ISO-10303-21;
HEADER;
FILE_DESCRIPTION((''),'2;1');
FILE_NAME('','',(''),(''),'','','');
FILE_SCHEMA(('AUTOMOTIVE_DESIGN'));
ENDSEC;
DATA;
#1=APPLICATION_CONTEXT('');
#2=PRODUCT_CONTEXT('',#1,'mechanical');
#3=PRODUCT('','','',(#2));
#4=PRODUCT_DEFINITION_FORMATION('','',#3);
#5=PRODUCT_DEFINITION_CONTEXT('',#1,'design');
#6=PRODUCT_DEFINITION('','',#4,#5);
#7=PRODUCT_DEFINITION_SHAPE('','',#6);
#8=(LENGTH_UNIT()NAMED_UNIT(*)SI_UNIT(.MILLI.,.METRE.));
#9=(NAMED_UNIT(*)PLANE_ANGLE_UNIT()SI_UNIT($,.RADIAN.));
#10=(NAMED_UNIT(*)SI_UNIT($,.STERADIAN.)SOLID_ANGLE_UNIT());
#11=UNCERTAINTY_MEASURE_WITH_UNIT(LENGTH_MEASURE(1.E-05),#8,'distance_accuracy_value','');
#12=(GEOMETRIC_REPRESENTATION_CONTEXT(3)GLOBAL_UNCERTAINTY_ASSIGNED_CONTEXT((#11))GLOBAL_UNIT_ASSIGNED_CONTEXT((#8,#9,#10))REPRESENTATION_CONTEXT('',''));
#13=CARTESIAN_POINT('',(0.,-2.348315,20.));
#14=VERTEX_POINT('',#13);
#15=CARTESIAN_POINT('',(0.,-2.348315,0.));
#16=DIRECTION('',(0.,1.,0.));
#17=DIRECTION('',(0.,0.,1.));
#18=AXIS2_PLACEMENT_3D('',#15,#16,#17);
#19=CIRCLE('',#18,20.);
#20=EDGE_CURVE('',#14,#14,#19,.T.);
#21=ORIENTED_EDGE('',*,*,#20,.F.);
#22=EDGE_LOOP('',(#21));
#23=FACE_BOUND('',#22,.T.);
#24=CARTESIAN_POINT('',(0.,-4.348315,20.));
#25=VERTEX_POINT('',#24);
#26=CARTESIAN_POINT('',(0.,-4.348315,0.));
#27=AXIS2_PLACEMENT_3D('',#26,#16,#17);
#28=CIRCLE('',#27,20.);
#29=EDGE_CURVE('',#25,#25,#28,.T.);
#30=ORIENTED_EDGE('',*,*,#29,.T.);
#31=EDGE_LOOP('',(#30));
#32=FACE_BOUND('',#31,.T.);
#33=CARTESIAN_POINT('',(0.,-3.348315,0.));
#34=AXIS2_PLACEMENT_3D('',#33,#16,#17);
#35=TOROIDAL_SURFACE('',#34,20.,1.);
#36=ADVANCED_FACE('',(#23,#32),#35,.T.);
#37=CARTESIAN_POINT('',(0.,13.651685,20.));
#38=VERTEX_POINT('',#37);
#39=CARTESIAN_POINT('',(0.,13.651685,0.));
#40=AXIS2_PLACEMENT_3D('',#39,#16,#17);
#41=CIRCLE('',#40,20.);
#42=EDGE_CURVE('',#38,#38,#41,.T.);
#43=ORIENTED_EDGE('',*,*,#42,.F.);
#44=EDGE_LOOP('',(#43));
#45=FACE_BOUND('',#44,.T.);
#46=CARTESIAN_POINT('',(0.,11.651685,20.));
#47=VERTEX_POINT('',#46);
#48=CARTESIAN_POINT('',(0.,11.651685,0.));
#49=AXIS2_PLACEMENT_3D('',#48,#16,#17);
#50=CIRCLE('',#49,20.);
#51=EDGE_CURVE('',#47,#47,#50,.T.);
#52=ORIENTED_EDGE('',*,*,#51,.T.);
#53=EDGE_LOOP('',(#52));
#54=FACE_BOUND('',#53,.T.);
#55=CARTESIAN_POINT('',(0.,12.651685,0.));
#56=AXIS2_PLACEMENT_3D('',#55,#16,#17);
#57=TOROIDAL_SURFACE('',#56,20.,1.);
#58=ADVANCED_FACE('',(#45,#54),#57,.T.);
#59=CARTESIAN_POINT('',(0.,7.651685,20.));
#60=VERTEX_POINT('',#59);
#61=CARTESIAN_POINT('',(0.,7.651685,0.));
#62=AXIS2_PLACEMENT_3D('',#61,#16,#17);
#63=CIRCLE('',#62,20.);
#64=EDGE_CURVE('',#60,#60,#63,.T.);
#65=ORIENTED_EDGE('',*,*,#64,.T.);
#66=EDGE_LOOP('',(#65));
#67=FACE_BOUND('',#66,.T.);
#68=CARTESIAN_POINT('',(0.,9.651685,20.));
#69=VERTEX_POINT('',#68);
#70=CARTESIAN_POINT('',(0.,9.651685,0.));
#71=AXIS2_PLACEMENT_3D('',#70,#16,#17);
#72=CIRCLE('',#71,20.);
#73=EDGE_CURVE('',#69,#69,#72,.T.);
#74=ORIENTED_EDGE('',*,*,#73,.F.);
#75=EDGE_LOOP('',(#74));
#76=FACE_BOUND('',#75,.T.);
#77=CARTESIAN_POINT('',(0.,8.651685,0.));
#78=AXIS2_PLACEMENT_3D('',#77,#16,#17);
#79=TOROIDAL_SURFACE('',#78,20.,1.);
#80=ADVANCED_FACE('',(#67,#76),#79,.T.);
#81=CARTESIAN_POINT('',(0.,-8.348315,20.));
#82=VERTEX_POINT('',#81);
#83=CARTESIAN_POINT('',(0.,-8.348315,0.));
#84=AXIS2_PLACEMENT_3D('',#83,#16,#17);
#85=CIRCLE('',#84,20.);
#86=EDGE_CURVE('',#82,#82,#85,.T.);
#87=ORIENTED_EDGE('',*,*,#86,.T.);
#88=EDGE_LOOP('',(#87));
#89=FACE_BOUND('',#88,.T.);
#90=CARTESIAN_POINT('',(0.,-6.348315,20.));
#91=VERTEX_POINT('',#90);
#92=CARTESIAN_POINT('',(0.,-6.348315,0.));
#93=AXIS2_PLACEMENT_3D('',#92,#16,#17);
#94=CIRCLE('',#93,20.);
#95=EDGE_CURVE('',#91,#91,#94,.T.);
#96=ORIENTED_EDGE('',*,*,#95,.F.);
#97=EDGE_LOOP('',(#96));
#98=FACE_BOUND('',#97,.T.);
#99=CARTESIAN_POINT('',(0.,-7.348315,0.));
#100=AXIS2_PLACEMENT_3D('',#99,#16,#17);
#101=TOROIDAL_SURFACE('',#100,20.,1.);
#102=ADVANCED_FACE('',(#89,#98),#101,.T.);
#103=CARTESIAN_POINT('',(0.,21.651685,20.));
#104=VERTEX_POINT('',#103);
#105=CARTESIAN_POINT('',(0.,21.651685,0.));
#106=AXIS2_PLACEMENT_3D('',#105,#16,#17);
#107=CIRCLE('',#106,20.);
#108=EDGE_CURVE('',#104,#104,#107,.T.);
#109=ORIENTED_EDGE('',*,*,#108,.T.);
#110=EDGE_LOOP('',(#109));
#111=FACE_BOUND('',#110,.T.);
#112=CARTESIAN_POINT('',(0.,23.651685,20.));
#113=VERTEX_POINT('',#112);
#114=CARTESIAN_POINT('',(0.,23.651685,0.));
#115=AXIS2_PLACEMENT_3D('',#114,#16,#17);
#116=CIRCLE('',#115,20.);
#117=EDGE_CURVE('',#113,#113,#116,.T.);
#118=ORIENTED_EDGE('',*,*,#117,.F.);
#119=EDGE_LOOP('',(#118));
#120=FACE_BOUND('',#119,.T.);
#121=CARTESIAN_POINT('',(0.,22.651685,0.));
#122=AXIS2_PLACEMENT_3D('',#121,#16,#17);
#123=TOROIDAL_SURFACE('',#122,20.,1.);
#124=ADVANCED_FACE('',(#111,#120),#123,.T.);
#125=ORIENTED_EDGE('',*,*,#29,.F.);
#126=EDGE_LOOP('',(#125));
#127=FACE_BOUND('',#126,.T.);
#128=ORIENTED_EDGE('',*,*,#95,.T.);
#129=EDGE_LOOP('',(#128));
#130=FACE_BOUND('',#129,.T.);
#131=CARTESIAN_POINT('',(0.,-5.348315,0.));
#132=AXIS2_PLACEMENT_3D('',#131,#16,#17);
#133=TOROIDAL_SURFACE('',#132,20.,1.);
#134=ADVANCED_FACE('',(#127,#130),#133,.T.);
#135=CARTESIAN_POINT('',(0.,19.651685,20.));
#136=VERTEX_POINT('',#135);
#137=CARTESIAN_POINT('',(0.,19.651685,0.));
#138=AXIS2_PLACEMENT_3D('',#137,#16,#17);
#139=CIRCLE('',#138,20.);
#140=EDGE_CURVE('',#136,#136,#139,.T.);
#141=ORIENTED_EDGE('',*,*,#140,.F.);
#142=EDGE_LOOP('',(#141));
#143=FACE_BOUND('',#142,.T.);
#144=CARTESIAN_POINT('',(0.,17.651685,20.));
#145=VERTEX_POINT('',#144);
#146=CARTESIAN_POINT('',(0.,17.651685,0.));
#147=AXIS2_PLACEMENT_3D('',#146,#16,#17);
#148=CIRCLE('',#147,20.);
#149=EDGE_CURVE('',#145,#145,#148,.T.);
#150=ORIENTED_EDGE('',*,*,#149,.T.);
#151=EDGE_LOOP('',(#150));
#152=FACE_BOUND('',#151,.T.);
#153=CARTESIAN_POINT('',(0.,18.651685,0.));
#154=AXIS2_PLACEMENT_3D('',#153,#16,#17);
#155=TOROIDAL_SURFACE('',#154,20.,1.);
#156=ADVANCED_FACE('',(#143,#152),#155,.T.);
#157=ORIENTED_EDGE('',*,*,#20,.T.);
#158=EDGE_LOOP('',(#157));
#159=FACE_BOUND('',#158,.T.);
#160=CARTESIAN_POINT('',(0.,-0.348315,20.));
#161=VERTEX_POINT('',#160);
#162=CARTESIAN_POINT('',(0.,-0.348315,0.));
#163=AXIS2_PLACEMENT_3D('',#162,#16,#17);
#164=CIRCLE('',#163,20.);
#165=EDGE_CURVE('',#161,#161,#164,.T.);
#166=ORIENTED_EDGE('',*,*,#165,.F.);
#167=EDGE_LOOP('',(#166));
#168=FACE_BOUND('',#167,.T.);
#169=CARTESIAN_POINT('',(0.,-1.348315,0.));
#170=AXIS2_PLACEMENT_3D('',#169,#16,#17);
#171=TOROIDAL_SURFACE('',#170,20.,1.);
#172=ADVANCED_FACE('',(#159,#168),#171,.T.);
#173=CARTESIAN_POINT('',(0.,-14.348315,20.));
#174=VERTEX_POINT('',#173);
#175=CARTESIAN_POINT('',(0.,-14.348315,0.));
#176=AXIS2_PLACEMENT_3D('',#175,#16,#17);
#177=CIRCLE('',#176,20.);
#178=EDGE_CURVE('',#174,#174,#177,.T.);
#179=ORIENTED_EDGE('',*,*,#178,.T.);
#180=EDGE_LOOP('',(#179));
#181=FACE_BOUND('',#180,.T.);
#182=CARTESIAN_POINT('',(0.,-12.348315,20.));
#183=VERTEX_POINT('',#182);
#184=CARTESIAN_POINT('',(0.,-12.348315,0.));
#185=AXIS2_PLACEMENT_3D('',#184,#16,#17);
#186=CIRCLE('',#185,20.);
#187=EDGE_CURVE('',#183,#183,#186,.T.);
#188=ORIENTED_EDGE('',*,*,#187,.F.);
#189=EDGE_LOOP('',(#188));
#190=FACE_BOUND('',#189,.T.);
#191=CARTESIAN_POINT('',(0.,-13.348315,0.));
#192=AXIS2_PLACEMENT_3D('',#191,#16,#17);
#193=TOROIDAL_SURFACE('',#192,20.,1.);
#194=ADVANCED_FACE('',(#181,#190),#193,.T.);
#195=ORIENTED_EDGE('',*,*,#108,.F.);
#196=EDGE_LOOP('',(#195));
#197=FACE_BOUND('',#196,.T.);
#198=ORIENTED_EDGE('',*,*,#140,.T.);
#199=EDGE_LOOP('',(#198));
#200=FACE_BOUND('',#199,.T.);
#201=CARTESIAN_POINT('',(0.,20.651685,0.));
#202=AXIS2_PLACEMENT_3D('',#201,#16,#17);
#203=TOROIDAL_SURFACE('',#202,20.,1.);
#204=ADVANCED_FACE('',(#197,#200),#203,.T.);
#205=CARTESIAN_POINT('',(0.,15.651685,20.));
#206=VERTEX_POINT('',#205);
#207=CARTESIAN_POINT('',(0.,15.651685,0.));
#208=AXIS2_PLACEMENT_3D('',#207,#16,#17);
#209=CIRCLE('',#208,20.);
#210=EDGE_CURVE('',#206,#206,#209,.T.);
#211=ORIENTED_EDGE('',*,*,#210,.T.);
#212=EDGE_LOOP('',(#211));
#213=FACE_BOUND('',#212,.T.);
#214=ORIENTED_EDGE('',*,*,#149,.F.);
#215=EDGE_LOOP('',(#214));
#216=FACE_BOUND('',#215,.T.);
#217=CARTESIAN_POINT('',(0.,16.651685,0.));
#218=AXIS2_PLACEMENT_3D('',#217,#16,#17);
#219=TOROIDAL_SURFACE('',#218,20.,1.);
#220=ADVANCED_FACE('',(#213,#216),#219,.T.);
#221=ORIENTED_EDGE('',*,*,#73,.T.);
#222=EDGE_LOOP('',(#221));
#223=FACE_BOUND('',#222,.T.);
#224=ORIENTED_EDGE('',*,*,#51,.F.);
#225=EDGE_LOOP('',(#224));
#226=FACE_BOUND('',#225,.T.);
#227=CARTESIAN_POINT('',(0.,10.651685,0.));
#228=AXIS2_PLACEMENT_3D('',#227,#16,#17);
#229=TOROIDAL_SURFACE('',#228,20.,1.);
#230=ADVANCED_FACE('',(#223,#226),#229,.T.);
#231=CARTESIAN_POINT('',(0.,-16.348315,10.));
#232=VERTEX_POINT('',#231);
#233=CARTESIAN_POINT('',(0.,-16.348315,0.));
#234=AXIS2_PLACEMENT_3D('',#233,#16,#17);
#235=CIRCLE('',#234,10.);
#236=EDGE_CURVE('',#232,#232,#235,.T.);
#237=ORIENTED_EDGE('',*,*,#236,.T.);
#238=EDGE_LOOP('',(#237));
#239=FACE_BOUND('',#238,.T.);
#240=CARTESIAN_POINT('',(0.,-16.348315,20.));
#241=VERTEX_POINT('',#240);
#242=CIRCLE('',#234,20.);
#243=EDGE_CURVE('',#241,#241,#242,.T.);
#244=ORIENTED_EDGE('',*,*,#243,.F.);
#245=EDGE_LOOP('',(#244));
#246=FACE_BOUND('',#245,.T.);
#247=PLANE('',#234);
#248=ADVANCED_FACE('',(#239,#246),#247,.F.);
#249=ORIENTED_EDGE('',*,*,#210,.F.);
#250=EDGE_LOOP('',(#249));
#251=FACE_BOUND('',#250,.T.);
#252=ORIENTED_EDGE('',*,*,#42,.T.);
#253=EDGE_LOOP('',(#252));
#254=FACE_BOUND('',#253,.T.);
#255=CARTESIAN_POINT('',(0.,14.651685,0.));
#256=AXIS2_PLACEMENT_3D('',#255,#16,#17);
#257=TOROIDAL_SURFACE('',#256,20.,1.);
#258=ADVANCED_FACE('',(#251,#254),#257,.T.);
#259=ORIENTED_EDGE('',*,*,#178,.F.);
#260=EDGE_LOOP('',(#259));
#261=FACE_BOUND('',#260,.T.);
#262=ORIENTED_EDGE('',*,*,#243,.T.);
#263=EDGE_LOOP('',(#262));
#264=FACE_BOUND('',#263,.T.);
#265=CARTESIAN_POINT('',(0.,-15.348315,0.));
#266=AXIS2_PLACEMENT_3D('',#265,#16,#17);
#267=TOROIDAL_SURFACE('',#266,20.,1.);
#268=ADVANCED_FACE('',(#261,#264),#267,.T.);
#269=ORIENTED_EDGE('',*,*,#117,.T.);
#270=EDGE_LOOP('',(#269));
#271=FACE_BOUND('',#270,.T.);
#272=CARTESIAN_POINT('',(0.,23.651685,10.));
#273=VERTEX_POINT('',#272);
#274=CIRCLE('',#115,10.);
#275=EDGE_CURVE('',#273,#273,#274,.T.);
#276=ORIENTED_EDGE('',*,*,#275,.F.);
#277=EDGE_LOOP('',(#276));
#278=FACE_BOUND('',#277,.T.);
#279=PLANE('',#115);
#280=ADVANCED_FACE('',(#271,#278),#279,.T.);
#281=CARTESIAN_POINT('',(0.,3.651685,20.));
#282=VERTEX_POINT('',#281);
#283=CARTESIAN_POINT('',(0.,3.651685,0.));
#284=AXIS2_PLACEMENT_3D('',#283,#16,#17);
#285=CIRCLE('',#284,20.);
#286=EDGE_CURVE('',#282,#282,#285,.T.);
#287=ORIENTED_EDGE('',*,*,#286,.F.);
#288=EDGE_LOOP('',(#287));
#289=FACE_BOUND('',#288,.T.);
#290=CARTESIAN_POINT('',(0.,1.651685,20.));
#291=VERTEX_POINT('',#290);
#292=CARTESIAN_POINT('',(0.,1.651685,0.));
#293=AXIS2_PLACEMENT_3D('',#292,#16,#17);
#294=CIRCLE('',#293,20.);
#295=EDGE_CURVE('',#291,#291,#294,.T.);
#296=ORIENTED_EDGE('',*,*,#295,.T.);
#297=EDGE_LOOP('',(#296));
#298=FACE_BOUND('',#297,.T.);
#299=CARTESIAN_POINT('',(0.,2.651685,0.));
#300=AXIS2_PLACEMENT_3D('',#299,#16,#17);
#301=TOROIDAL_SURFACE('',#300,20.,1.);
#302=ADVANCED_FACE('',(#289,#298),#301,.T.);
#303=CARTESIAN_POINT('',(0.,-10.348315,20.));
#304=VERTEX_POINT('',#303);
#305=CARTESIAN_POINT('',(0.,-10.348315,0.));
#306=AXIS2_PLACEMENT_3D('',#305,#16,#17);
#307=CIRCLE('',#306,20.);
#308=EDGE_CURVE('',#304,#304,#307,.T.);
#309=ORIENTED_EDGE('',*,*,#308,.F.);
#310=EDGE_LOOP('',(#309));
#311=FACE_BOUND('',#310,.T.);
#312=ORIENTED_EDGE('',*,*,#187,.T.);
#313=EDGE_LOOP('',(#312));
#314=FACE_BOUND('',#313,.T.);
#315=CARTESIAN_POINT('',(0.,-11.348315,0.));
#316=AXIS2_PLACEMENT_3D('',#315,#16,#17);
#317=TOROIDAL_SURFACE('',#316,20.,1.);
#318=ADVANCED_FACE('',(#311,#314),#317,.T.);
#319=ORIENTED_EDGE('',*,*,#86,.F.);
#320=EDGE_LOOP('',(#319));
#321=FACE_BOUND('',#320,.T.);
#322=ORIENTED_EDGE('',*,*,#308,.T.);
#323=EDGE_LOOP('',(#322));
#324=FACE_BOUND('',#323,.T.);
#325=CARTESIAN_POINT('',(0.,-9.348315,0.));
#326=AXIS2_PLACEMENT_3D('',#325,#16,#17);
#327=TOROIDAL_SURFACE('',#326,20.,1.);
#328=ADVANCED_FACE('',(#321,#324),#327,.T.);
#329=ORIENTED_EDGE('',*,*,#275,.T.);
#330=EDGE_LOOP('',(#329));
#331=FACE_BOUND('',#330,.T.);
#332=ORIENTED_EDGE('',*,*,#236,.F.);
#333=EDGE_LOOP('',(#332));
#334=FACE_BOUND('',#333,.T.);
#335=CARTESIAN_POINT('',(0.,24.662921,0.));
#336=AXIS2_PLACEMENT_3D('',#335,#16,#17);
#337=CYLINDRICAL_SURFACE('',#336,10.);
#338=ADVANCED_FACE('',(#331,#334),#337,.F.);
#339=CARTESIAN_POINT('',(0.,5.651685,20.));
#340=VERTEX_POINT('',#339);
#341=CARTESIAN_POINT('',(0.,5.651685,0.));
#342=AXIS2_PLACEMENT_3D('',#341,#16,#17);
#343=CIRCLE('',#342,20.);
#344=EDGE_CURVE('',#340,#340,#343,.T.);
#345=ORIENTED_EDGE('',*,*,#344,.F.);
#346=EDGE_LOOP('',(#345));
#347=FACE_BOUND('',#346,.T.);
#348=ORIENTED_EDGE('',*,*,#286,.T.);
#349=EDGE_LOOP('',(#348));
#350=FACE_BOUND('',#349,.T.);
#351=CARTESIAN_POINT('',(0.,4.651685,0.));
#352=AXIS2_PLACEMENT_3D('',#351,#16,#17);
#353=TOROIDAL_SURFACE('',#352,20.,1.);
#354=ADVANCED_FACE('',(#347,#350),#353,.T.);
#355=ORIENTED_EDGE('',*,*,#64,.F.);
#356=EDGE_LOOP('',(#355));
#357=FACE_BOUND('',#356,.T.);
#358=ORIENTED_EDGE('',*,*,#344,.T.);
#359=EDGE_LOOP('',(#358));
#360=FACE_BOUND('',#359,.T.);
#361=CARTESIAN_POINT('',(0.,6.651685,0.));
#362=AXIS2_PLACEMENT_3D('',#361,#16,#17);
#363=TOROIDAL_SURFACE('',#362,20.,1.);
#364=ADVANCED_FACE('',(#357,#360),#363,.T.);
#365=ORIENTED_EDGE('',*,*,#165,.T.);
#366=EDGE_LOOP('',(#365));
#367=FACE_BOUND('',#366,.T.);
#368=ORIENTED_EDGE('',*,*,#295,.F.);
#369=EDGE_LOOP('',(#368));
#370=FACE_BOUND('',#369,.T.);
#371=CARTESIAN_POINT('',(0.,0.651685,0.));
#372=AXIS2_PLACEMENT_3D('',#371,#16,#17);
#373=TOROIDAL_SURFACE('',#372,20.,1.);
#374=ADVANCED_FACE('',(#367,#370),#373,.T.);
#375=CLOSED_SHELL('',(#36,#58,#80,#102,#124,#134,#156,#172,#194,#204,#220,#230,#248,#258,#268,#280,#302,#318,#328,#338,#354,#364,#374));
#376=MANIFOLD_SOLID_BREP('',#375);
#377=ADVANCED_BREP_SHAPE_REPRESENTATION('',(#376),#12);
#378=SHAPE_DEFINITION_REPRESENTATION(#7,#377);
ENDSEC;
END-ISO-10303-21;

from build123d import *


with BuildPart() as part:
    # Sketch1 → Revolve1 (revolve)
    with BuildSketch(Plane(origin=(0, 0, 0), x_dir=(0, 0, -1), z_dir=(1, 0, 0))):
        with BuildLine():
            ThreePointArc((-20, -12.348314607), (-21, -13.348314607), (-20, -14.348314607))
            ThreePointArc((-20, -14.348314607), (-21, -15.348314607), (-20, -16.348314607))
            Line((-20, -16.348314607), (-10, -16.348314607))
            Line((-10, -16.348314607), (-10, 23.651685393))
            Line((-10, 23.651685393), (-20, 23.651685393))
            ThreePointArc((-20, 23.651685393), (-21, 22.651685393), (-20, 21.651685393))
            ThreePointArc((-20, 21.651685393), (-21, 20.651685393), (-20, 19.651685393))
            ThreePointArc((-20, 19.651685393), (-21, 18.651685393), (-20, 17.651685393))
            ThreePointArc((-20, 17.651685393), (-21, 16.651685393), (-20, 15.651685393))
            ThreePointArc((-20, 15.651685393), (-21, 14.651685393), (-20, 13.651685393))
            ThreePointArc((-20, 13.651685393), (-21, 12.651685393), (-20, 11.651685393))
            ThreePointArc((-20, 11.651685393), (-21, 10.651685393), (-20, 9.651685393))
            ThreePointArc((-20, 9.651685393), (-21, 8.651685393), (-20, 7.651685393))
            ThreePointArc((-20, 7.651685393), (-21, 6.651685393), (-20, 5.651685393))
            ThreePointArc((-20, 5.651685393), (-21, 4.651685393), (-20, 3.651685393))
            ThreePointArc((-20, 3.651685393), (-21, 2.651685393), (-20, 1.651685393))
            ThreePointArc((-20, 1.651685393), (-21, 0.651685393), (-20, -0.348314607))
            ThreePointArc((-20, -0.348314607), (-21, -1.348314607), (-20, -2.348314607))
            ThreePointArc((-20, -2.348314607), (-21, -3.348314607), (-20, -4.348314607))
            ThreePointArc((-20, -4.348314607), (-21, -5.348314607), (-20, -6.348314607))
            ThreePointArc((-20, -6.348314607), (-21, -7.348314607), (-20, -8.348314607))
            ThreePointArc((-20, -8.348314607), (-21, -9.348314607), (-20, -10.348314607))
            ThreePointArc((-20, -10.348314607), (-21, -11.348314607), (-20, -12.348314607))
        make_face()
    revolve(axis=Axis((0, 24.662921348, 0), (0, -1, 0)))


solid = part.part
